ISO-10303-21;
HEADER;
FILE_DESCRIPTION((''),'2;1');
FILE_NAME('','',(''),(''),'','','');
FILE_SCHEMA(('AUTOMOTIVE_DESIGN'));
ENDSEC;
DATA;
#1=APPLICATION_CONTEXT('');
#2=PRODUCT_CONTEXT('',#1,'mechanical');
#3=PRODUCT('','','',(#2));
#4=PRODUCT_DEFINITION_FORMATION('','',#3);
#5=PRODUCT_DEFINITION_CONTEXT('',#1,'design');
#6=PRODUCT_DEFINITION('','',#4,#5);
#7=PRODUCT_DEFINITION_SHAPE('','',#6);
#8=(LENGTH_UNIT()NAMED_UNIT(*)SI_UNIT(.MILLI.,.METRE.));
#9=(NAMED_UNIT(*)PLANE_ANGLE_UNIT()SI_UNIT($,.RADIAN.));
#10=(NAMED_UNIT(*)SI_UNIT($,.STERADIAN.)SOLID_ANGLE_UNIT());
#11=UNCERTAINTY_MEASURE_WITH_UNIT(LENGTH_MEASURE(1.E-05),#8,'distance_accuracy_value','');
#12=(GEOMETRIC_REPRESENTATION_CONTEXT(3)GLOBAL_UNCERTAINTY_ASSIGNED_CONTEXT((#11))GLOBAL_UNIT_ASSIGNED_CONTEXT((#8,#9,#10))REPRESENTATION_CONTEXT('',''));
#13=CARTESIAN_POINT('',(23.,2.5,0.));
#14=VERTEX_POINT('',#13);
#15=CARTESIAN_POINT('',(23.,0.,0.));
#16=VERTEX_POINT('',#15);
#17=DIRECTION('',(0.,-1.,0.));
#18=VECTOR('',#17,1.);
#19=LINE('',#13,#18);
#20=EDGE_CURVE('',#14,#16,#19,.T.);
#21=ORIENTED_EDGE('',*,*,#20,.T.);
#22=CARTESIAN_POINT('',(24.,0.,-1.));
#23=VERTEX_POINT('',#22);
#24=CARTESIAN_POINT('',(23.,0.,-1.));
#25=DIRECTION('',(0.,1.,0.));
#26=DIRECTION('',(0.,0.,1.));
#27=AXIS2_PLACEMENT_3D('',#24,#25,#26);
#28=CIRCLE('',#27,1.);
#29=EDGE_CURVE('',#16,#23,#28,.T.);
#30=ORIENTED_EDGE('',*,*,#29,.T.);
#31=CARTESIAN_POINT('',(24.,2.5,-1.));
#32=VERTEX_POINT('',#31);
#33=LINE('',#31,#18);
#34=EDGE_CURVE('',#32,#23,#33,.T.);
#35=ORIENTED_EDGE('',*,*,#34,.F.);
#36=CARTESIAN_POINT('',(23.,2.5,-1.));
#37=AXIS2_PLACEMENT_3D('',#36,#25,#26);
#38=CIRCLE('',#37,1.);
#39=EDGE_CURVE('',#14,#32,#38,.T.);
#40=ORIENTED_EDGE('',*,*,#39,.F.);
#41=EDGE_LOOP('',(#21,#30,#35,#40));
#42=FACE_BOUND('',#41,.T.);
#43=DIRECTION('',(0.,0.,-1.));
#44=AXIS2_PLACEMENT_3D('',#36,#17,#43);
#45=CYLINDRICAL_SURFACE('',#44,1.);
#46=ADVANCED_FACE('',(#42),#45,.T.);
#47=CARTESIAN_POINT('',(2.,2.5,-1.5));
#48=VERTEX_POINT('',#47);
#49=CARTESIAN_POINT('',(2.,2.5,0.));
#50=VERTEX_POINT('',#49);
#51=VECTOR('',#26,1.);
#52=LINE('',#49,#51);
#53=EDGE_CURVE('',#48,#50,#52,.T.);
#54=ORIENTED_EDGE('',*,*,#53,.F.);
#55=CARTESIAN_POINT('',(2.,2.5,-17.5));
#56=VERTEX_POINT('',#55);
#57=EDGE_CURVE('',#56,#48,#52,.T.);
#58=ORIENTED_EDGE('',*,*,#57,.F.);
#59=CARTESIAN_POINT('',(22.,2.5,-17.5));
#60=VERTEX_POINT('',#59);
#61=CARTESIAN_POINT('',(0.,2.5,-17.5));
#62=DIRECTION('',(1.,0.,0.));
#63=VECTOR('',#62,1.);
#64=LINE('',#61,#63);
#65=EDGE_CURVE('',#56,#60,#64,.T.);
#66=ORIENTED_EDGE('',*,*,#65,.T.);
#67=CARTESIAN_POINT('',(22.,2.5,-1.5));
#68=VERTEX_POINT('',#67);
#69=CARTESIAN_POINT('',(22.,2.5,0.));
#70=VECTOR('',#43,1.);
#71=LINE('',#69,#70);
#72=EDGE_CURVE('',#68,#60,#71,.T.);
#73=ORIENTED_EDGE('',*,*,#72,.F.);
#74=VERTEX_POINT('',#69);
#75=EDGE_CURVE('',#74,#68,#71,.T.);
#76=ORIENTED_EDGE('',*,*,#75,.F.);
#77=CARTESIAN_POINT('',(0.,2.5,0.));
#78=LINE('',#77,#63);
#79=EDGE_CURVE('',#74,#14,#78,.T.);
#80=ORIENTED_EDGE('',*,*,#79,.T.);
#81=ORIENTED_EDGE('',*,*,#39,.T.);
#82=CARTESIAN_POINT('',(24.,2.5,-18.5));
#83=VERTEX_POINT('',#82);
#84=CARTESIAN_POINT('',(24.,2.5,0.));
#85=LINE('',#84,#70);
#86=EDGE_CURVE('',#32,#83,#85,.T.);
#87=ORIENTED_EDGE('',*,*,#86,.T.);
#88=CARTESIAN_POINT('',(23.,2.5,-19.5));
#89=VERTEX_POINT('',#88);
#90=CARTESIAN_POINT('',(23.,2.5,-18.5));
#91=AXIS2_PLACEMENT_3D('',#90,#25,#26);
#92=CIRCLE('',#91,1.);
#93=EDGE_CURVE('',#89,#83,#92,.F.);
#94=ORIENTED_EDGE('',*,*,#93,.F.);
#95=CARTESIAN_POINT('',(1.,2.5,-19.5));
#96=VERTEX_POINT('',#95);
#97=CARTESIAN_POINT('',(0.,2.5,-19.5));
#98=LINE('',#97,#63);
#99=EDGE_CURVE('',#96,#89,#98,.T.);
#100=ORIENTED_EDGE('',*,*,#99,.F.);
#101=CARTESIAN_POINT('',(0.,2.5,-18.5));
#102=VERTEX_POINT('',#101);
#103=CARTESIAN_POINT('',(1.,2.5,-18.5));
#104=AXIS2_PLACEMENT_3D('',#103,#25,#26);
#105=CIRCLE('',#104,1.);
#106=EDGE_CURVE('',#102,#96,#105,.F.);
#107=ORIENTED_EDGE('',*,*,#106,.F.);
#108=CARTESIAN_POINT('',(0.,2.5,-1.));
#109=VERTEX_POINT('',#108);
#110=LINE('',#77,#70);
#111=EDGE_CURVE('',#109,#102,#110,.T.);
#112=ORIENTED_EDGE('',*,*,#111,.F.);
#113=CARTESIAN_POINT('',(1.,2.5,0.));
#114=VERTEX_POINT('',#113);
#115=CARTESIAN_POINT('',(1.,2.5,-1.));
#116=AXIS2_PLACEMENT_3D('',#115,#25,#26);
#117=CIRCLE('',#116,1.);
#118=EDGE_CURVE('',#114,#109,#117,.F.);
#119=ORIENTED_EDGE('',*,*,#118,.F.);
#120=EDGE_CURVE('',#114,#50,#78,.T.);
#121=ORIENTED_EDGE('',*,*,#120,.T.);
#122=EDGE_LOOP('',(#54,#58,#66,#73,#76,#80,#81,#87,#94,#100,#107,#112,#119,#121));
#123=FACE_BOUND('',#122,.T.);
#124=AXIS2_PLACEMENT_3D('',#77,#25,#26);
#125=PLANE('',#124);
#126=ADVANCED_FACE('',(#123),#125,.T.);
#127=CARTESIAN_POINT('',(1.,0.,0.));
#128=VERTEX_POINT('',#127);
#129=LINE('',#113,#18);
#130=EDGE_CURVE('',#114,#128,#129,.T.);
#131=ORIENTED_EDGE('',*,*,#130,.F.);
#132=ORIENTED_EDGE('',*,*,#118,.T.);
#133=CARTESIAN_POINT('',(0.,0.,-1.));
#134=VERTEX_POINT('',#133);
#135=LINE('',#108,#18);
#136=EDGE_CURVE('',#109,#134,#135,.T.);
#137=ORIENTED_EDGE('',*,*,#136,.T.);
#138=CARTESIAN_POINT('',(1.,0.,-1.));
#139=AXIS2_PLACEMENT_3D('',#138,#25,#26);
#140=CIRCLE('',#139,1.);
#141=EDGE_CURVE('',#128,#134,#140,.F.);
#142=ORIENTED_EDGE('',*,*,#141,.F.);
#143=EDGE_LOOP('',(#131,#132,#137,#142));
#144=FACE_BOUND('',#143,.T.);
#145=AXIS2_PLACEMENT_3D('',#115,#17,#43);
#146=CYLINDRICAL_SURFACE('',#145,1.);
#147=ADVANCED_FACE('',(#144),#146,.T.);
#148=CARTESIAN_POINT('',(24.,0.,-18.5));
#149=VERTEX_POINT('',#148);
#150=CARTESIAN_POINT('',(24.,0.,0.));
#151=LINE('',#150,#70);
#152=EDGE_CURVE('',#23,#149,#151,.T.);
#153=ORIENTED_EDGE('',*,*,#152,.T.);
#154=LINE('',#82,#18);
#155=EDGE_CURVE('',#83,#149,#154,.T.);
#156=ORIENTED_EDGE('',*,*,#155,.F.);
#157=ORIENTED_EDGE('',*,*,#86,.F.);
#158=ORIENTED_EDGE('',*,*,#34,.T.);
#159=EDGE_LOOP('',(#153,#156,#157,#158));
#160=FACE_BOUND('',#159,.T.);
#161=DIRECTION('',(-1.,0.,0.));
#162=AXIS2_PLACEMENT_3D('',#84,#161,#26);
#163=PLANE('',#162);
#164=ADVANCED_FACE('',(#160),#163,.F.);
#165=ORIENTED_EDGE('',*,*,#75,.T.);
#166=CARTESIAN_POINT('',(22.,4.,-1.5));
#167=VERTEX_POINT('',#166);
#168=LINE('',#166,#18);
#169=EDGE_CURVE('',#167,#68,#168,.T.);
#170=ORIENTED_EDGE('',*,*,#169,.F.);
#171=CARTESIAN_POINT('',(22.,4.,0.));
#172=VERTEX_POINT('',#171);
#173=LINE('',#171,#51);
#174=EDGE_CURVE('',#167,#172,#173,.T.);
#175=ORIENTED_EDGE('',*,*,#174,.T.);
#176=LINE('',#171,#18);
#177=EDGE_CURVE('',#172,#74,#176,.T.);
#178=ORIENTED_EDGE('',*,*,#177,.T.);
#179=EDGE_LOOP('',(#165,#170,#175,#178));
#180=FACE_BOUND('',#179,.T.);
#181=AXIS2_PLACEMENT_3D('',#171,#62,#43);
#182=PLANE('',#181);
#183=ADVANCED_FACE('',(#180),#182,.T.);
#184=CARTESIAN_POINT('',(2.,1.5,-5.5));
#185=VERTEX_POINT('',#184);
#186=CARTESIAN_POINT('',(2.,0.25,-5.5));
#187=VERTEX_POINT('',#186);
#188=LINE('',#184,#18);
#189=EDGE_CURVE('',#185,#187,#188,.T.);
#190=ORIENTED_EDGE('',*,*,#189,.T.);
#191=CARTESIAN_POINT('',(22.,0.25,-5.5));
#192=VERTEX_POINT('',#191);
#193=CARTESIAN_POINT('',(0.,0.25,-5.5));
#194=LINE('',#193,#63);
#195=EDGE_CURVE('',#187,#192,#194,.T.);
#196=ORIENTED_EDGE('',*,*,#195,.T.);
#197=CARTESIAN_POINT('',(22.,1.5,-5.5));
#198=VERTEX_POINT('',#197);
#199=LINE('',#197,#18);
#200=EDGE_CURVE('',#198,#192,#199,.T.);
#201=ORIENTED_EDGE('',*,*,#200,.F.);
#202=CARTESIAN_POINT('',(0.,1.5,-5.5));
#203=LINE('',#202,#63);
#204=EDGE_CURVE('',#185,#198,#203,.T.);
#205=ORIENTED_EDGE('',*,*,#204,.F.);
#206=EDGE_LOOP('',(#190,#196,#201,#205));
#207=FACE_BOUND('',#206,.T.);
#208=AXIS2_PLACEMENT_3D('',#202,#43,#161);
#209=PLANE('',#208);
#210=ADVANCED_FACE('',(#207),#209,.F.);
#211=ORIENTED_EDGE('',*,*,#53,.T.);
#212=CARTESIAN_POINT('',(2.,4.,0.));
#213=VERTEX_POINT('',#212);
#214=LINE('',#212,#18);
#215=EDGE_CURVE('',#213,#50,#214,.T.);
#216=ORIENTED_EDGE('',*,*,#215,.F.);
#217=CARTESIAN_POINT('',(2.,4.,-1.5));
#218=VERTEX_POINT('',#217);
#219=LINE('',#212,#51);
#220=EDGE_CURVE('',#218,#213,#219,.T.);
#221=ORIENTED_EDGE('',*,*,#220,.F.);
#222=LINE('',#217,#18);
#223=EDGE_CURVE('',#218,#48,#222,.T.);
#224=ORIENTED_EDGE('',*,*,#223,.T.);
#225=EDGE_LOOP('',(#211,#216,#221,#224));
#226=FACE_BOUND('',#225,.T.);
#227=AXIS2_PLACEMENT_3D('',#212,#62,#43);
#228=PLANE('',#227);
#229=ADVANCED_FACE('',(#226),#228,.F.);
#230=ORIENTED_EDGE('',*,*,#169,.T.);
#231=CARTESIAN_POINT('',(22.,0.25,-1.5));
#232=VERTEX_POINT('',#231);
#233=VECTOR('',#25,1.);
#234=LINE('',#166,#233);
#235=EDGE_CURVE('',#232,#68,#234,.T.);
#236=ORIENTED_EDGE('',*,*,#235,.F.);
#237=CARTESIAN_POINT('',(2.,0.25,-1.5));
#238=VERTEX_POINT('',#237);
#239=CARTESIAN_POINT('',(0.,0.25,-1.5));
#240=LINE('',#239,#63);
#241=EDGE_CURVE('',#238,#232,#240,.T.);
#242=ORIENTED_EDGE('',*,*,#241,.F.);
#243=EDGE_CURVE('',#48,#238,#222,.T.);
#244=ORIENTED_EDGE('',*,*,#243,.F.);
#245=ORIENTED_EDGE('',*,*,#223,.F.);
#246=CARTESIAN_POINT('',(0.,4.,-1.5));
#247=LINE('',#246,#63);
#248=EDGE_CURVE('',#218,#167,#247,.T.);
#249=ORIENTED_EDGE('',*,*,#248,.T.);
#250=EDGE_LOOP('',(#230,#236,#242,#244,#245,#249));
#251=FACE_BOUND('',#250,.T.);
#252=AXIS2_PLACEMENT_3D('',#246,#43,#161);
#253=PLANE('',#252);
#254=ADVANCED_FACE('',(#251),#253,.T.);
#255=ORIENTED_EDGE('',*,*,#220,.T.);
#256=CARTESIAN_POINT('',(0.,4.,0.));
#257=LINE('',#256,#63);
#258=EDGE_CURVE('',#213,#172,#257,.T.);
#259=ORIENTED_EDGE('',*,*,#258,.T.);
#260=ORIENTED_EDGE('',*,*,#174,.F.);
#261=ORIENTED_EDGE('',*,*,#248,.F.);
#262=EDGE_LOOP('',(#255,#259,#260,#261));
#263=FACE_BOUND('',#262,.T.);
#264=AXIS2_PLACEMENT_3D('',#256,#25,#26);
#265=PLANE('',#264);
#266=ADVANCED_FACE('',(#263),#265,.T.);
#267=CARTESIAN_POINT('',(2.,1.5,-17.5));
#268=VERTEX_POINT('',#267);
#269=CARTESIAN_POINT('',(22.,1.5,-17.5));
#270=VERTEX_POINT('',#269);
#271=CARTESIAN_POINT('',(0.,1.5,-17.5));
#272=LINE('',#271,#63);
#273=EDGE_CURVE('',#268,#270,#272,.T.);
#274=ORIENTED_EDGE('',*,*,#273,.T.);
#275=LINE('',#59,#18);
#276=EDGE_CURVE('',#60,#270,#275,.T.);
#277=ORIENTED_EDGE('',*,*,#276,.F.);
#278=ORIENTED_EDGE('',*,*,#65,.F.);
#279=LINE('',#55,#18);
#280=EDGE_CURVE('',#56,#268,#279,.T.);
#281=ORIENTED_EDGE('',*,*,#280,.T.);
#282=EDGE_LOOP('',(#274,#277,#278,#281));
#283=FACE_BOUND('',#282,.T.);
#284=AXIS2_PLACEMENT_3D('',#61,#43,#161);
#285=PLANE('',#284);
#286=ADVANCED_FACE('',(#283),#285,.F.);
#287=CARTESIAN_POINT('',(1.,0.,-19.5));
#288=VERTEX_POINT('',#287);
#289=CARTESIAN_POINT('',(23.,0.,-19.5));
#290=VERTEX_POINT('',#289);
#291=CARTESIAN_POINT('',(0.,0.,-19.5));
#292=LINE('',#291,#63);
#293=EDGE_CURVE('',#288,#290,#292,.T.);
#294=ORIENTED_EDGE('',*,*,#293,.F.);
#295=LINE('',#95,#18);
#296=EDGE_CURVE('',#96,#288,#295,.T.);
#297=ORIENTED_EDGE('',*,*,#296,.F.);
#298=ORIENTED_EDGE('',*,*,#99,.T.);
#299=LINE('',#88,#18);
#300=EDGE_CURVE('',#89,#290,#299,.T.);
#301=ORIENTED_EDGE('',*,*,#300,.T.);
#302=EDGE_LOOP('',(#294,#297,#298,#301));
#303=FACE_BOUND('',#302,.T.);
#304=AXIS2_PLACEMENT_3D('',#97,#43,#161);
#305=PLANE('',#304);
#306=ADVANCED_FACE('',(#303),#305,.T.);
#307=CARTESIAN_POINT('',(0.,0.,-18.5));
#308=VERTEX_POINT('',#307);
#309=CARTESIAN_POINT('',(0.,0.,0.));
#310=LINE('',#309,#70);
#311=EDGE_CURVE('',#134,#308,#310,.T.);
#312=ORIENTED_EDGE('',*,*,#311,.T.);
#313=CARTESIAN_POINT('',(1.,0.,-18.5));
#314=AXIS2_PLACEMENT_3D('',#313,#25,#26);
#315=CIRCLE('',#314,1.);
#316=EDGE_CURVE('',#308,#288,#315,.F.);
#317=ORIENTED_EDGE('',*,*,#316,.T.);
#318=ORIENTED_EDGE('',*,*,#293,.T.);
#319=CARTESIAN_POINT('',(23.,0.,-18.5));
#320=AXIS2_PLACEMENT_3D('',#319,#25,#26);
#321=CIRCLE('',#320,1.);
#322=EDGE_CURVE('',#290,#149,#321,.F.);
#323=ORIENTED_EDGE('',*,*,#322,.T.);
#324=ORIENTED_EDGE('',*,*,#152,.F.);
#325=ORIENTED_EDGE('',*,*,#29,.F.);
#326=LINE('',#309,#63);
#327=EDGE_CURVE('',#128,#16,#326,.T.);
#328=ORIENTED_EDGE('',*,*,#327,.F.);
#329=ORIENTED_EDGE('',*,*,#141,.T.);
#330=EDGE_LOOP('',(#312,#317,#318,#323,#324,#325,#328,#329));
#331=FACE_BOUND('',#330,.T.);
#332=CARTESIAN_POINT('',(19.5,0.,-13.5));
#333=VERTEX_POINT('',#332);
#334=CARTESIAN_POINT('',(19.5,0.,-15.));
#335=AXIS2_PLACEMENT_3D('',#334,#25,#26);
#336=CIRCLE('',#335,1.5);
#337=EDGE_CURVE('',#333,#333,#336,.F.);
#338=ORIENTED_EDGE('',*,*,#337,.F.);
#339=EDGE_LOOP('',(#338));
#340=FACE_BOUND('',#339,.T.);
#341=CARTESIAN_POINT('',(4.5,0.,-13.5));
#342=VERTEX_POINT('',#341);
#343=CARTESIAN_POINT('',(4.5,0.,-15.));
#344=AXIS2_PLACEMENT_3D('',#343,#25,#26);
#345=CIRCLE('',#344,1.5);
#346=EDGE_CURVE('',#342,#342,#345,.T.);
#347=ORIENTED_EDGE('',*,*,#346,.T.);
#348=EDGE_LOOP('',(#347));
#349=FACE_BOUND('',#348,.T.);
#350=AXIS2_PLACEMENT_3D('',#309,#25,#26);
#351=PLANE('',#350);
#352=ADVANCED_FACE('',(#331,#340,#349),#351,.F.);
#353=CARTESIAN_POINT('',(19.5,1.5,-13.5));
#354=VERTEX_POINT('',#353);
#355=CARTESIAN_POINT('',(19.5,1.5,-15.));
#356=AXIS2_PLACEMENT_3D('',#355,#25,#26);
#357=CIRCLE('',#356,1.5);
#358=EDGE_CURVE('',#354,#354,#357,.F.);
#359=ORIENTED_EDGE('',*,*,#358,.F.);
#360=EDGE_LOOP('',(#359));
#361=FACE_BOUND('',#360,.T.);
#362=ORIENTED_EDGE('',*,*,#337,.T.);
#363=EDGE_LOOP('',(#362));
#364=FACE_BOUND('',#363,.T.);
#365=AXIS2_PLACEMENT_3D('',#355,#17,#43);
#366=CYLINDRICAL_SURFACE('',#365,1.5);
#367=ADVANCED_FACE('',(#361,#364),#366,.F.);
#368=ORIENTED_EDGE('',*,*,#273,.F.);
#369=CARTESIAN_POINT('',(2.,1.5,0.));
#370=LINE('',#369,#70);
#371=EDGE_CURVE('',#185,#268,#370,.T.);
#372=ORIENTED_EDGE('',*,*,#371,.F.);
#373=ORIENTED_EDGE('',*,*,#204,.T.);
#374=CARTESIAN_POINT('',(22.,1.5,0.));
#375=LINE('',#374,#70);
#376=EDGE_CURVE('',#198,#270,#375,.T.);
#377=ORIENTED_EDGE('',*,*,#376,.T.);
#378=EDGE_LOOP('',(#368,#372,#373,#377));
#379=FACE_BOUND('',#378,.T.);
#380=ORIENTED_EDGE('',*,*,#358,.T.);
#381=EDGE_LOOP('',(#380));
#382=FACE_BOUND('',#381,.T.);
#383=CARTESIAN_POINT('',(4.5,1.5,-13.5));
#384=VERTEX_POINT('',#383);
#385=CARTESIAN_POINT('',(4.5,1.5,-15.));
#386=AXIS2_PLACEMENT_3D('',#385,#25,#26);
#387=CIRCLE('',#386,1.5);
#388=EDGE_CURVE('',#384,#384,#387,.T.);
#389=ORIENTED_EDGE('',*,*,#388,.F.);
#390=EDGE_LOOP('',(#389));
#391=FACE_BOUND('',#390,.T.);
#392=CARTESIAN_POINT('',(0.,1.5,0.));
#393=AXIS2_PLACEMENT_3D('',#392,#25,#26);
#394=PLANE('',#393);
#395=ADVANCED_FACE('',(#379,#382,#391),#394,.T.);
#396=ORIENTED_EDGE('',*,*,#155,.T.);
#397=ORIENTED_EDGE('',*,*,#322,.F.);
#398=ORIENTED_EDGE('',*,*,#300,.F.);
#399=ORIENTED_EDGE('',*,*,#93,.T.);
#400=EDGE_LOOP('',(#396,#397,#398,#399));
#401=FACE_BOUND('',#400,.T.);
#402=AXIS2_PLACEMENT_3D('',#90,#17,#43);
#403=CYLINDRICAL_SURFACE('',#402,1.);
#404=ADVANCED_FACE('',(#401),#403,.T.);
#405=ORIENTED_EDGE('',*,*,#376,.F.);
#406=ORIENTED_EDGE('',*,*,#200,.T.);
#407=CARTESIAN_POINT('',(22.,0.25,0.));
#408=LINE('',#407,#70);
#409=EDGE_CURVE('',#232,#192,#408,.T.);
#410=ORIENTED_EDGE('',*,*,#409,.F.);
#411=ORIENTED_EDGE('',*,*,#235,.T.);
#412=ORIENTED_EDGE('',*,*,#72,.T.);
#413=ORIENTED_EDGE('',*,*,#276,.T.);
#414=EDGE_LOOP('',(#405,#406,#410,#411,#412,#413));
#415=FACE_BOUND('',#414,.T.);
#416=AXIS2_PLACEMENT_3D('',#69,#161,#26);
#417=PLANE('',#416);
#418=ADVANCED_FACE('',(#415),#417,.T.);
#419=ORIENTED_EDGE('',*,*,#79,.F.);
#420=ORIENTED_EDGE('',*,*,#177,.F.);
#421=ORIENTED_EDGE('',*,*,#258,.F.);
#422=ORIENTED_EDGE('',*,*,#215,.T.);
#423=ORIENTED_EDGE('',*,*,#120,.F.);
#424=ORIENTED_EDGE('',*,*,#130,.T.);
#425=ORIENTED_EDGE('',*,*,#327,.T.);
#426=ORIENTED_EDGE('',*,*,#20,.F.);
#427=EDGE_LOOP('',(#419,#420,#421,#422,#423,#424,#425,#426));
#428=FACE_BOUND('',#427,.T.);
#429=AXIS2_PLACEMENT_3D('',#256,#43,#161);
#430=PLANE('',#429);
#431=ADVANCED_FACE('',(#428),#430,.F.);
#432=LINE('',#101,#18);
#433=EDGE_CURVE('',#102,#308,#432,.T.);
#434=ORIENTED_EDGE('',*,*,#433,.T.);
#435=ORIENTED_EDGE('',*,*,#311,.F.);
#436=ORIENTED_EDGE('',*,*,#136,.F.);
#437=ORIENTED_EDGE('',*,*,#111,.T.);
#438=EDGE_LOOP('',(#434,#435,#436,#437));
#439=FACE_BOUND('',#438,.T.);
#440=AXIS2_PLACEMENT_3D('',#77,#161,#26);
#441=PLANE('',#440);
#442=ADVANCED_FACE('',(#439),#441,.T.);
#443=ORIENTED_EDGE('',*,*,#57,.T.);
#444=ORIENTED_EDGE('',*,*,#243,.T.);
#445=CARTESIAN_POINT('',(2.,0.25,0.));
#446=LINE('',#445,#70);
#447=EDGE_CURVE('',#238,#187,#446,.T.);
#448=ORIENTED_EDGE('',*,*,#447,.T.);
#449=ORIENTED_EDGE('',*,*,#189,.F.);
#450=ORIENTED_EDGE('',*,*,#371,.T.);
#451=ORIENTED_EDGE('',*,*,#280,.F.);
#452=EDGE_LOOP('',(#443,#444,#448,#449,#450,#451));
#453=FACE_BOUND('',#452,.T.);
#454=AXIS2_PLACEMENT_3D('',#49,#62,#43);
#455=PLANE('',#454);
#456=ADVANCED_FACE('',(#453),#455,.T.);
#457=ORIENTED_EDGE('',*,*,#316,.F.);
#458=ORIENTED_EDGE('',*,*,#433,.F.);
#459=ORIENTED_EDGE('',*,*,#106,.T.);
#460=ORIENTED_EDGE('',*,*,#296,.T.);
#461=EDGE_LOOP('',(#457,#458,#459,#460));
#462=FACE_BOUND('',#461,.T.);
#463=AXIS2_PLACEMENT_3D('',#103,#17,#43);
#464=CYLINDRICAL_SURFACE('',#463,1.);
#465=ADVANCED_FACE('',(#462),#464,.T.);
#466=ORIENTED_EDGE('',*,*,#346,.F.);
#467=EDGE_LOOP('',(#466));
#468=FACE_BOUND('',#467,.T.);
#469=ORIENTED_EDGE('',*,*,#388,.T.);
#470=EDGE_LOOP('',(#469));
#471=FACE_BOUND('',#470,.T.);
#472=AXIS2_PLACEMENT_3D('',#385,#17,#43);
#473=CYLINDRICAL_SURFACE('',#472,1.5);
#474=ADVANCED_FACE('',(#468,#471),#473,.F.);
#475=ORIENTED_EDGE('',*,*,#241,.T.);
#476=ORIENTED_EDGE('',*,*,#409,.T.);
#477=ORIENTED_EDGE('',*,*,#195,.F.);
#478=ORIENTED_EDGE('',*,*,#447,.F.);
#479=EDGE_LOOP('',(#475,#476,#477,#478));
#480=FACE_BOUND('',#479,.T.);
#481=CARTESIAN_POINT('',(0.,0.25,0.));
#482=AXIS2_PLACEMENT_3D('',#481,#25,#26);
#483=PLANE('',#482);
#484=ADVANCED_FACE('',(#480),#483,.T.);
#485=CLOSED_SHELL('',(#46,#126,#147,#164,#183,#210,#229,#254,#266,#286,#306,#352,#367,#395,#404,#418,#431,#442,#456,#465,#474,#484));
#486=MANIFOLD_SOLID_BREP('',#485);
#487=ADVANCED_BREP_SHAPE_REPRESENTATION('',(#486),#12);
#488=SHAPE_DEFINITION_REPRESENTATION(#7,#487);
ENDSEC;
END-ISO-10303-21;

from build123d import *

# Parameters (mm, degrees)
SKETCH3_W           = 20
SKETCH3_H           = 12
SKETCH3_R           = 1.5
BOSS_EXTRUDE2_DEPTH = 1.5
SKETCH3_5_W         = 20
SKETCH3_5_H         = 1.5
BOSS_EXTRUDE4_DEPTH = 4
SKETCH3_6_W         = 20
SKETCH3_6_H         = 4
BOSS_EXTRUDE5_DEPTH = 0.25
BOSS_EXTRUDE7_DEPTH = 2.5


with BuildPart() as part:
    # Sketch3 → Boss-Extrude2 (new body)
    with BuildSketch(Plane(origin=(0, 0, 0), x_dir=(1, 0, 0), z_dir=(0, 1, 0))):
        with Locations((12, 11.5)):
            Rectangle(SKETCH3_W, SKETCH3_H)
        with Locations((19.5, 15)):
            Circle(SKETCH3_R, mode=Mode.SUBTRACT)
        with Locations((4.5, 15)):
            Circle(SKETCH3_R, mode=Mode.SUBTRACT)
    extrude(amount=BOSS_EXTRUDE2_DEPTH)

    # Sketch3<6> → Boss-Extrude5 (add)
    with BuildSketch(Plane(origin=(0, 0, 0), x_dir=(1, 0, 0), z_dir=(0, 1, 0))):
        with Locations((12, 3.5)):
            Rectangle(SKETCH3_6_W, SKETCH3_6_H)
    extrude(amount=BOSS_EXTRUDE5_DEPTH)



with BuildPart() as body_2:
    # Sketch3<5> → Boss-Extrude4 (new body)
    with BuildSketch(Plane(origin=(0, 0, 0), x_dir=(1, 0, 0), z_dir=(0, 1, 0))):
        with Locations((12, 0.75)):
            Rectangle(SKETCH3_5_W, SKETCH3_5_H)
    extrude(amount=BOSS_EXTRUDE4_DEPTH)


with BuildPart() as part_1:
    add(part.part)

    add(body_2.part)  # Boss-Extrude7 merges body 2
    # Sketch3<8> → Boss-Extrude7 (add)
    with BuildSketch(Plane(origin=(0, 0, 0), x_dir=(1, 0, 0), z_dir=(0, 1, 0))):
        with BuildLine():
            ThreePointArc((0, 1), (0.292893219, 0.292893219), (1, 0))
            Line((1, 0), (2, 0))
            Line((2, 0), (2, 1.5))
            Line((2, 1.5), (2, 5.5))
            Line((2, 5.5), (2, 17.5))
            Line((2, 17.5), (22, 17.5))
            Line((22, 17.5), (22, 5.5))
            Line((22, 5.5), (22, 1.5))
            Line((22, 1.5), (22, 0))
            Line((22, 0), (23, 0))
            ThreePointArc((23, 0), (23.707106781, 0.292893219), (24, 1))
            Line((24, 1), (24, 18.5))
            ThreePointArc((24, 18.5), (23.707106781, 19.207106781), (23, 19.5))
            Line((23, 19.5), (1, 19.5))
            ThreePointArc((1, 19.5), (0.292893219, 19.207106781), (0, 18.5))
            Line((0, 18.5), (0, 1))
        make_face()
    extrude(amount=BOSS_EXTRUDE7_DEPTH)


solid = part_1.part
